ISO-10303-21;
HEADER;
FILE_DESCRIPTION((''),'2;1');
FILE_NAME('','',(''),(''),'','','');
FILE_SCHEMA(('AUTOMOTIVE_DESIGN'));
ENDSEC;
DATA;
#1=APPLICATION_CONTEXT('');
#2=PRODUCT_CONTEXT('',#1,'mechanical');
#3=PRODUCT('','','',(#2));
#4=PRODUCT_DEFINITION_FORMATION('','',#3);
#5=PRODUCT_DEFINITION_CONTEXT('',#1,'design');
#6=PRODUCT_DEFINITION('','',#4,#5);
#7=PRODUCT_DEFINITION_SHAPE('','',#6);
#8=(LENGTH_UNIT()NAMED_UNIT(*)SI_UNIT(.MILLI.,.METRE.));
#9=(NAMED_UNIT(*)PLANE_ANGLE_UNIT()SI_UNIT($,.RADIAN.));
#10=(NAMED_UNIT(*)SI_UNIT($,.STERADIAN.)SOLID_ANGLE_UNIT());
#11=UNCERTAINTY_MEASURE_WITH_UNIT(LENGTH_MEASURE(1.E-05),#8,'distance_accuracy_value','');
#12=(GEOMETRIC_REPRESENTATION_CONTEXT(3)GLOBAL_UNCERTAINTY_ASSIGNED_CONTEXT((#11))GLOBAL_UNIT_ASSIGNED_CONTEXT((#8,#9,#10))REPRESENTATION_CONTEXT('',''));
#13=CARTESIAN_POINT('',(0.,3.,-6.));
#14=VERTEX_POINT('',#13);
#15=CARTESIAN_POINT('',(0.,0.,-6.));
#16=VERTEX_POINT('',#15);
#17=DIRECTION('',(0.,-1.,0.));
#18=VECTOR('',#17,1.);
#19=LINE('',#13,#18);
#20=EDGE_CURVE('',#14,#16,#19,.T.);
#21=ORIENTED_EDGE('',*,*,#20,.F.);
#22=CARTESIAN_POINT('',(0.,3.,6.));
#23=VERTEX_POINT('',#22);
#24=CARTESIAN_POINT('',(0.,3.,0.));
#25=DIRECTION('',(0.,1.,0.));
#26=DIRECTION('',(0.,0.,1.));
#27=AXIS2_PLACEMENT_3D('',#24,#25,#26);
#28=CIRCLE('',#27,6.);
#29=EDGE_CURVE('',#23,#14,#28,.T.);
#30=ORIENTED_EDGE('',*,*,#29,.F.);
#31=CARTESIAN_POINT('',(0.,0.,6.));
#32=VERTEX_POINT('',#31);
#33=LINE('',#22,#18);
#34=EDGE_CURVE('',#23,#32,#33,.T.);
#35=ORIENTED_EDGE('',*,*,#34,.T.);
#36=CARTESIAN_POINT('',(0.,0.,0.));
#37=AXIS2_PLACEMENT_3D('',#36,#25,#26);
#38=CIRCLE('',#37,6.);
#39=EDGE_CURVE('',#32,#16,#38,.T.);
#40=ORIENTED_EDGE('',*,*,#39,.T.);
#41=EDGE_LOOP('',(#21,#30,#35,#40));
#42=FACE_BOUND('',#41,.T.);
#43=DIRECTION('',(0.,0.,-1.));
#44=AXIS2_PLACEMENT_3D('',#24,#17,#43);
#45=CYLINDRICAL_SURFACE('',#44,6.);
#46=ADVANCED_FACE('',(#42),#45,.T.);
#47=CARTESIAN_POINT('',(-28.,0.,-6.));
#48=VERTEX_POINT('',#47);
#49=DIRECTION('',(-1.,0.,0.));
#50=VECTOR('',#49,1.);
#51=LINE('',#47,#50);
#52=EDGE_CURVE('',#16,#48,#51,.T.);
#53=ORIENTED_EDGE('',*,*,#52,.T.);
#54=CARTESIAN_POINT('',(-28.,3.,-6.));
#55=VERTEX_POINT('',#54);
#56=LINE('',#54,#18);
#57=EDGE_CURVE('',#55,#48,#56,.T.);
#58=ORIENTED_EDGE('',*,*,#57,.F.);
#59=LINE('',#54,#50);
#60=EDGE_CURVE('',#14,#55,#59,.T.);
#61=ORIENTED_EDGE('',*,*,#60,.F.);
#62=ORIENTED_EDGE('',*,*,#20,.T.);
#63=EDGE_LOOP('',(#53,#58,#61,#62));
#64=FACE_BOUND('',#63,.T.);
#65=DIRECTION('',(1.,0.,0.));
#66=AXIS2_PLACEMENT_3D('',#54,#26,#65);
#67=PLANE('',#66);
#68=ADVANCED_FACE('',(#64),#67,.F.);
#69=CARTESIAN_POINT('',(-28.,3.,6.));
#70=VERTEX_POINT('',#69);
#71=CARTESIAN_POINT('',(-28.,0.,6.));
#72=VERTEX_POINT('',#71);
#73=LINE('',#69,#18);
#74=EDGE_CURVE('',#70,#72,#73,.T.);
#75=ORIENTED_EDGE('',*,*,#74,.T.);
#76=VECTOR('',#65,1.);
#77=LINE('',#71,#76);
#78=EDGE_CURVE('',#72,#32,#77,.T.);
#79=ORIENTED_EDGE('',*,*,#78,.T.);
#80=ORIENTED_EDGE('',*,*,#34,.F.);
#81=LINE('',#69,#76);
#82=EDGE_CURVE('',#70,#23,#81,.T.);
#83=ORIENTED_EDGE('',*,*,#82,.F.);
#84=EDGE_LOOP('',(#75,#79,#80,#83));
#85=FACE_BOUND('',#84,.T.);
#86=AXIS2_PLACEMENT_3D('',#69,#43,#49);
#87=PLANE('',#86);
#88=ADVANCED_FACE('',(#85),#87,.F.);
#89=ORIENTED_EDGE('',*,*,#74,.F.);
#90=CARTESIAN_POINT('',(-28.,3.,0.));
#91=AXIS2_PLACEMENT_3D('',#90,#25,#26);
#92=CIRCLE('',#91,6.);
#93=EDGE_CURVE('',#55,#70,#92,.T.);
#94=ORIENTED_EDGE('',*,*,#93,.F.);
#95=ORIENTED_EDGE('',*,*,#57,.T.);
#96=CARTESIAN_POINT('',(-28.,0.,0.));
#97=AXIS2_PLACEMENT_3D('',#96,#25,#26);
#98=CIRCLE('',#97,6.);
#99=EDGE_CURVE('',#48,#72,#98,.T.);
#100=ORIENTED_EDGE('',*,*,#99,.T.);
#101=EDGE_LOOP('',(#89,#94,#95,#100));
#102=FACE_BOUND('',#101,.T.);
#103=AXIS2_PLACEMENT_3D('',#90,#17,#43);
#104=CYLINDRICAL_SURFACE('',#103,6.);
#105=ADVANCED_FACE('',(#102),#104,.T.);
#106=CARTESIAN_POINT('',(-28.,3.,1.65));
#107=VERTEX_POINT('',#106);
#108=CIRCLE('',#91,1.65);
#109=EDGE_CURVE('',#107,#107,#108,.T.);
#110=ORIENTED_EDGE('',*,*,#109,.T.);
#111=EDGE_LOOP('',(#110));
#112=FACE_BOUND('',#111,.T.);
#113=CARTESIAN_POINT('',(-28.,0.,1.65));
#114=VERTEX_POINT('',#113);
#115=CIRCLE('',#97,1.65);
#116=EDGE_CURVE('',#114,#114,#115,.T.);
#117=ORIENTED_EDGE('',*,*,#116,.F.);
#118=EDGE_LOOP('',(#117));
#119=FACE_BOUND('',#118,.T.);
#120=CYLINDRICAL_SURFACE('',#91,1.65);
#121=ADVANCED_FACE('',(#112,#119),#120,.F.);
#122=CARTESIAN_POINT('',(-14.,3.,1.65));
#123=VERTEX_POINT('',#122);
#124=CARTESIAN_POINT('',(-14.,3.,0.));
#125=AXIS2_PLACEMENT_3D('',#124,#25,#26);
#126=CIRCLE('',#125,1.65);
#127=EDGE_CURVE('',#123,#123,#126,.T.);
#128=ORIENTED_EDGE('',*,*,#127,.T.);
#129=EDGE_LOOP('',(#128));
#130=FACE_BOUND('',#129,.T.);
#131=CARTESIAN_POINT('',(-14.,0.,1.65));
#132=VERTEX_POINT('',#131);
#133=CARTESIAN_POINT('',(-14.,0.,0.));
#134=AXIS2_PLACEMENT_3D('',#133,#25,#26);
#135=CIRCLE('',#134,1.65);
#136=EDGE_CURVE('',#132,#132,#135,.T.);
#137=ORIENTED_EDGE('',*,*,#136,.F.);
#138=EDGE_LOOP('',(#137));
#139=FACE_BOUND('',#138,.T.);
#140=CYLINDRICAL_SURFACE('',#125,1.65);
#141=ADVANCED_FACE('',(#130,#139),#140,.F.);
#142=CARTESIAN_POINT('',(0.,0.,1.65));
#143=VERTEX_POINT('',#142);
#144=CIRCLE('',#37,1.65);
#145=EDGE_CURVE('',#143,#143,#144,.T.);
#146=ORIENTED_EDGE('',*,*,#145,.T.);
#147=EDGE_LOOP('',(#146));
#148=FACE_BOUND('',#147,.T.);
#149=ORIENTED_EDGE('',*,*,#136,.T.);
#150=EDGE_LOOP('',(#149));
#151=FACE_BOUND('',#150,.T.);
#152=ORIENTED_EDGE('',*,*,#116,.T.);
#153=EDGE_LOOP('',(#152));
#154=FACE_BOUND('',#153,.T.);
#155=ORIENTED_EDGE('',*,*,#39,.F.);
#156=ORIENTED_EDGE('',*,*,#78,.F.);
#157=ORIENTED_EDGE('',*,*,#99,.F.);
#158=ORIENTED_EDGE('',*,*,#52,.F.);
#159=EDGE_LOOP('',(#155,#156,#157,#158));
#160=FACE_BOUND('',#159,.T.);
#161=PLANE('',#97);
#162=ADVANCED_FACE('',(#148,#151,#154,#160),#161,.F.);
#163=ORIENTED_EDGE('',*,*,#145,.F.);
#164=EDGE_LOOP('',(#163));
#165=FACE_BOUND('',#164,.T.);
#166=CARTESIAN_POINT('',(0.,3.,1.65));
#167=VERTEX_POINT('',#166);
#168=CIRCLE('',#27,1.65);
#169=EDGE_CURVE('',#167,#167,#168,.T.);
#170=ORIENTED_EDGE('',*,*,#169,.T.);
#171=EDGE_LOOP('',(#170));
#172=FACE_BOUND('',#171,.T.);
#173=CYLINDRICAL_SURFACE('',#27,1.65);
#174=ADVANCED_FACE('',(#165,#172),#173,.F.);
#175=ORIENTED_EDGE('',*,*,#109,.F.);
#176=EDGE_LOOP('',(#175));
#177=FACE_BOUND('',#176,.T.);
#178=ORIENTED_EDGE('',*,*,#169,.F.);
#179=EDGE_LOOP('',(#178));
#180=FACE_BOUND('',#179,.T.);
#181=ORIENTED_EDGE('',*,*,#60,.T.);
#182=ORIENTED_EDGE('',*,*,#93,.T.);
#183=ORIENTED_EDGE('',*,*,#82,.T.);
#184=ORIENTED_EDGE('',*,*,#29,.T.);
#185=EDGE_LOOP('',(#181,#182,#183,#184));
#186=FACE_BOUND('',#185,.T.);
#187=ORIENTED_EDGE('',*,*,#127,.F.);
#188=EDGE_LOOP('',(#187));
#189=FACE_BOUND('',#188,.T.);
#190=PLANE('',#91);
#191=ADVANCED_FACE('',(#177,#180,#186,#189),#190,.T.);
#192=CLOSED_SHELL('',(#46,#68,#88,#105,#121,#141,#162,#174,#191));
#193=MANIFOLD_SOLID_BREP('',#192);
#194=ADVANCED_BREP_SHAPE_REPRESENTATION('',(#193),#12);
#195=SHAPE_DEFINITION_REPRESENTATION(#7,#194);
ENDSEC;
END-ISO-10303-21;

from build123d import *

# Parameters (mm, degrees)
BOSS_EXTRUDE2_DEPTH       = 3
M4X0_7_TAPPED_HOLE2_D     = 3.3
M4X0_7_TAPPED_HOLE2_DEPTH = 10.1
M4X0_7_TAPPED_HOLE2_TIP   = 0.991420021


with BuildPart() as part:
    # Sketch1 → Boss-Extrude2 (new body)
    with BuildSketch(Plane(origin=(0, 0, 0), x_dir=(1, 0, 0), z_dir=(0, 1, 0))):
        with BuildLine():
            Line((-28, 6), (0, 6))
            ThreePointArc((0, 6), (6, 0), (0, -6))
            Line((0, -6), (-28, -6))
            ThreePointArc((-28, -6), (-34, 0), (-28, 6))
        make_face()
    extrude(amount=BOSS_EXTRUDE2_DEPTH)

    # M4x0.7 Tapped Hole2
    with Locations(Plane(origin=(0, 3, 0), x_dir=(1, 0, 0), z_dir=(0, 1, 0))):
        with Locations((0, 0), (-14, 0), (-28, 0)):
            Hole(M4X0_7_TAPPED_HOLE2_D / 2, depth=M4X0_7_TAPPED_HOLE2_DEPTH)
            with Locations((0, 0, -(M4X0_7_TAPPED_HOLE2_DEPTH + M4X0_7_TAPPED_HOLE2_TIP / 2))):  # 118° drill point
                Cone(0, M4X0_7_TAPPED_HOLE2_D / 2, M4X0_7_TAPPED_HOLE2_TIP, mode=Mode.SUBTRACT)


solid = part.part
